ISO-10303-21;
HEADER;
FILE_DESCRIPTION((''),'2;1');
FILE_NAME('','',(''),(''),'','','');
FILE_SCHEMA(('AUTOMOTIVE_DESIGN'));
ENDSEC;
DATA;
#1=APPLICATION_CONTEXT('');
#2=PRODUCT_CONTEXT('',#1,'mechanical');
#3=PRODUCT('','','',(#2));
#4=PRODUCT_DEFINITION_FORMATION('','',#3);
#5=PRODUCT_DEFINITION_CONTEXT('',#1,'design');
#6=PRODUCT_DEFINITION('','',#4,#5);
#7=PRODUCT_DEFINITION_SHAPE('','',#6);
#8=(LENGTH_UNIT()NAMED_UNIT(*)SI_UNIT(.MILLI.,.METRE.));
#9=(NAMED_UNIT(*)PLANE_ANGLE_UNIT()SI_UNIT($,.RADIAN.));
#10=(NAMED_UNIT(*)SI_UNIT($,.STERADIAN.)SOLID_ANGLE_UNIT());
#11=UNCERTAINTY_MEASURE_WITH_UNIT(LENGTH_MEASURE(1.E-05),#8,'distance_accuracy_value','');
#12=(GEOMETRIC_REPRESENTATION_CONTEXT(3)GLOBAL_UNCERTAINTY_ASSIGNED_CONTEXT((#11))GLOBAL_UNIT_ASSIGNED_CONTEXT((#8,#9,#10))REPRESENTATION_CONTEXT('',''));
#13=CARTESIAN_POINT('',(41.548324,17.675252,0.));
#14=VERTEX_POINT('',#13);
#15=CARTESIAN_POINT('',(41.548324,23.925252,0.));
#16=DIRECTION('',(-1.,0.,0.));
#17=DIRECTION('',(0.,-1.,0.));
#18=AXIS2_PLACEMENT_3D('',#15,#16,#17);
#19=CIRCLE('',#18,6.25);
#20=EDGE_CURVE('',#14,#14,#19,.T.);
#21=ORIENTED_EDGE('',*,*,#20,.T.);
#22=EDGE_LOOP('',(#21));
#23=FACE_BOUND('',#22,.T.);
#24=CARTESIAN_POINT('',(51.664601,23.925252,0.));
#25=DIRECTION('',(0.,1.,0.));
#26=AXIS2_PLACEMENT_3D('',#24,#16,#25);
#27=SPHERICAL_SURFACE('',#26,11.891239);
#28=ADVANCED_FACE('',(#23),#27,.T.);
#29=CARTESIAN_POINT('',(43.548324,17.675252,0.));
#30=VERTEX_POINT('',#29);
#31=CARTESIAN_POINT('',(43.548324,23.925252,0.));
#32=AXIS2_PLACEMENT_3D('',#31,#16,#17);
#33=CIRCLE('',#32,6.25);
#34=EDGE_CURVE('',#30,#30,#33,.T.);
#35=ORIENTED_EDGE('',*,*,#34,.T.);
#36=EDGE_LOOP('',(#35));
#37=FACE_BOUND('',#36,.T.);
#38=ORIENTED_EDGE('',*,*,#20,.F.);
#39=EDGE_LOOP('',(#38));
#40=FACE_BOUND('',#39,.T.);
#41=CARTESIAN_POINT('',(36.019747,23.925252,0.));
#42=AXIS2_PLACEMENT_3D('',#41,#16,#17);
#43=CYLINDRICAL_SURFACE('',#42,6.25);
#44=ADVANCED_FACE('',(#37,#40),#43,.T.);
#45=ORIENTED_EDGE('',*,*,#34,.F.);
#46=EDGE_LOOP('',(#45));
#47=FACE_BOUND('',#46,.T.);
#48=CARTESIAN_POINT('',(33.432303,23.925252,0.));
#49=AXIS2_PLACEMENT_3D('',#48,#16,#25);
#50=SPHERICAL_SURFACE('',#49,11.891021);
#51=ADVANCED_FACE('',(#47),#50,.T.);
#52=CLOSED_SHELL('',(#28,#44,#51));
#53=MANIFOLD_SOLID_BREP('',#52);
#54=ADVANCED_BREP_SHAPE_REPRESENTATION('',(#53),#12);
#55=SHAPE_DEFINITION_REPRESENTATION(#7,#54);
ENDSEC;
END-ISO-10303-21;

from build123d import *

# Parameters (mm, degrees)
SKETCH_1_ONE_SIDE_W = 2
SKETCH_1_ONE_SIDE_H = 6.25


with BuildPart() as part:
    # 草图1 one side → 旋转1 (revolve)
    with BuildSketch(Plane.XY):
        with Locations((42.548323708, 27.050252472)):
            Rectangle(SKETCH_1_ONE_SIDE_W, SKETCH_1_ONE_SIDE_H)
        with BuildLine():
            Line((39.773361953, 23.925252472), (41.548323708, 23.925252472))
            Line((41.548323708, 23.925252472), (41.548323708, 30.175252472))
            ThreePointArc((41.548323708, 30.175252472), (40.225706001, 27.173828669), (39.773361953, 23.925252472))
        make_face()
        with BuildLine():
            Line((43.548323708, 23.925252472), (45.323323708, 23.925252472))
            ThreePointArc((45.323323708, 23.925252472), (44.870969557, 27.173833893), (43.548323708, 30.175252472))
            Line((43.548323708, 30.175252472), (43.548323708, 23.925252472))
        make_face()
    revolve(axis=Axis((36.019747028, 23.925252472, 0), (1, 0, 0)))


solid = part.part
